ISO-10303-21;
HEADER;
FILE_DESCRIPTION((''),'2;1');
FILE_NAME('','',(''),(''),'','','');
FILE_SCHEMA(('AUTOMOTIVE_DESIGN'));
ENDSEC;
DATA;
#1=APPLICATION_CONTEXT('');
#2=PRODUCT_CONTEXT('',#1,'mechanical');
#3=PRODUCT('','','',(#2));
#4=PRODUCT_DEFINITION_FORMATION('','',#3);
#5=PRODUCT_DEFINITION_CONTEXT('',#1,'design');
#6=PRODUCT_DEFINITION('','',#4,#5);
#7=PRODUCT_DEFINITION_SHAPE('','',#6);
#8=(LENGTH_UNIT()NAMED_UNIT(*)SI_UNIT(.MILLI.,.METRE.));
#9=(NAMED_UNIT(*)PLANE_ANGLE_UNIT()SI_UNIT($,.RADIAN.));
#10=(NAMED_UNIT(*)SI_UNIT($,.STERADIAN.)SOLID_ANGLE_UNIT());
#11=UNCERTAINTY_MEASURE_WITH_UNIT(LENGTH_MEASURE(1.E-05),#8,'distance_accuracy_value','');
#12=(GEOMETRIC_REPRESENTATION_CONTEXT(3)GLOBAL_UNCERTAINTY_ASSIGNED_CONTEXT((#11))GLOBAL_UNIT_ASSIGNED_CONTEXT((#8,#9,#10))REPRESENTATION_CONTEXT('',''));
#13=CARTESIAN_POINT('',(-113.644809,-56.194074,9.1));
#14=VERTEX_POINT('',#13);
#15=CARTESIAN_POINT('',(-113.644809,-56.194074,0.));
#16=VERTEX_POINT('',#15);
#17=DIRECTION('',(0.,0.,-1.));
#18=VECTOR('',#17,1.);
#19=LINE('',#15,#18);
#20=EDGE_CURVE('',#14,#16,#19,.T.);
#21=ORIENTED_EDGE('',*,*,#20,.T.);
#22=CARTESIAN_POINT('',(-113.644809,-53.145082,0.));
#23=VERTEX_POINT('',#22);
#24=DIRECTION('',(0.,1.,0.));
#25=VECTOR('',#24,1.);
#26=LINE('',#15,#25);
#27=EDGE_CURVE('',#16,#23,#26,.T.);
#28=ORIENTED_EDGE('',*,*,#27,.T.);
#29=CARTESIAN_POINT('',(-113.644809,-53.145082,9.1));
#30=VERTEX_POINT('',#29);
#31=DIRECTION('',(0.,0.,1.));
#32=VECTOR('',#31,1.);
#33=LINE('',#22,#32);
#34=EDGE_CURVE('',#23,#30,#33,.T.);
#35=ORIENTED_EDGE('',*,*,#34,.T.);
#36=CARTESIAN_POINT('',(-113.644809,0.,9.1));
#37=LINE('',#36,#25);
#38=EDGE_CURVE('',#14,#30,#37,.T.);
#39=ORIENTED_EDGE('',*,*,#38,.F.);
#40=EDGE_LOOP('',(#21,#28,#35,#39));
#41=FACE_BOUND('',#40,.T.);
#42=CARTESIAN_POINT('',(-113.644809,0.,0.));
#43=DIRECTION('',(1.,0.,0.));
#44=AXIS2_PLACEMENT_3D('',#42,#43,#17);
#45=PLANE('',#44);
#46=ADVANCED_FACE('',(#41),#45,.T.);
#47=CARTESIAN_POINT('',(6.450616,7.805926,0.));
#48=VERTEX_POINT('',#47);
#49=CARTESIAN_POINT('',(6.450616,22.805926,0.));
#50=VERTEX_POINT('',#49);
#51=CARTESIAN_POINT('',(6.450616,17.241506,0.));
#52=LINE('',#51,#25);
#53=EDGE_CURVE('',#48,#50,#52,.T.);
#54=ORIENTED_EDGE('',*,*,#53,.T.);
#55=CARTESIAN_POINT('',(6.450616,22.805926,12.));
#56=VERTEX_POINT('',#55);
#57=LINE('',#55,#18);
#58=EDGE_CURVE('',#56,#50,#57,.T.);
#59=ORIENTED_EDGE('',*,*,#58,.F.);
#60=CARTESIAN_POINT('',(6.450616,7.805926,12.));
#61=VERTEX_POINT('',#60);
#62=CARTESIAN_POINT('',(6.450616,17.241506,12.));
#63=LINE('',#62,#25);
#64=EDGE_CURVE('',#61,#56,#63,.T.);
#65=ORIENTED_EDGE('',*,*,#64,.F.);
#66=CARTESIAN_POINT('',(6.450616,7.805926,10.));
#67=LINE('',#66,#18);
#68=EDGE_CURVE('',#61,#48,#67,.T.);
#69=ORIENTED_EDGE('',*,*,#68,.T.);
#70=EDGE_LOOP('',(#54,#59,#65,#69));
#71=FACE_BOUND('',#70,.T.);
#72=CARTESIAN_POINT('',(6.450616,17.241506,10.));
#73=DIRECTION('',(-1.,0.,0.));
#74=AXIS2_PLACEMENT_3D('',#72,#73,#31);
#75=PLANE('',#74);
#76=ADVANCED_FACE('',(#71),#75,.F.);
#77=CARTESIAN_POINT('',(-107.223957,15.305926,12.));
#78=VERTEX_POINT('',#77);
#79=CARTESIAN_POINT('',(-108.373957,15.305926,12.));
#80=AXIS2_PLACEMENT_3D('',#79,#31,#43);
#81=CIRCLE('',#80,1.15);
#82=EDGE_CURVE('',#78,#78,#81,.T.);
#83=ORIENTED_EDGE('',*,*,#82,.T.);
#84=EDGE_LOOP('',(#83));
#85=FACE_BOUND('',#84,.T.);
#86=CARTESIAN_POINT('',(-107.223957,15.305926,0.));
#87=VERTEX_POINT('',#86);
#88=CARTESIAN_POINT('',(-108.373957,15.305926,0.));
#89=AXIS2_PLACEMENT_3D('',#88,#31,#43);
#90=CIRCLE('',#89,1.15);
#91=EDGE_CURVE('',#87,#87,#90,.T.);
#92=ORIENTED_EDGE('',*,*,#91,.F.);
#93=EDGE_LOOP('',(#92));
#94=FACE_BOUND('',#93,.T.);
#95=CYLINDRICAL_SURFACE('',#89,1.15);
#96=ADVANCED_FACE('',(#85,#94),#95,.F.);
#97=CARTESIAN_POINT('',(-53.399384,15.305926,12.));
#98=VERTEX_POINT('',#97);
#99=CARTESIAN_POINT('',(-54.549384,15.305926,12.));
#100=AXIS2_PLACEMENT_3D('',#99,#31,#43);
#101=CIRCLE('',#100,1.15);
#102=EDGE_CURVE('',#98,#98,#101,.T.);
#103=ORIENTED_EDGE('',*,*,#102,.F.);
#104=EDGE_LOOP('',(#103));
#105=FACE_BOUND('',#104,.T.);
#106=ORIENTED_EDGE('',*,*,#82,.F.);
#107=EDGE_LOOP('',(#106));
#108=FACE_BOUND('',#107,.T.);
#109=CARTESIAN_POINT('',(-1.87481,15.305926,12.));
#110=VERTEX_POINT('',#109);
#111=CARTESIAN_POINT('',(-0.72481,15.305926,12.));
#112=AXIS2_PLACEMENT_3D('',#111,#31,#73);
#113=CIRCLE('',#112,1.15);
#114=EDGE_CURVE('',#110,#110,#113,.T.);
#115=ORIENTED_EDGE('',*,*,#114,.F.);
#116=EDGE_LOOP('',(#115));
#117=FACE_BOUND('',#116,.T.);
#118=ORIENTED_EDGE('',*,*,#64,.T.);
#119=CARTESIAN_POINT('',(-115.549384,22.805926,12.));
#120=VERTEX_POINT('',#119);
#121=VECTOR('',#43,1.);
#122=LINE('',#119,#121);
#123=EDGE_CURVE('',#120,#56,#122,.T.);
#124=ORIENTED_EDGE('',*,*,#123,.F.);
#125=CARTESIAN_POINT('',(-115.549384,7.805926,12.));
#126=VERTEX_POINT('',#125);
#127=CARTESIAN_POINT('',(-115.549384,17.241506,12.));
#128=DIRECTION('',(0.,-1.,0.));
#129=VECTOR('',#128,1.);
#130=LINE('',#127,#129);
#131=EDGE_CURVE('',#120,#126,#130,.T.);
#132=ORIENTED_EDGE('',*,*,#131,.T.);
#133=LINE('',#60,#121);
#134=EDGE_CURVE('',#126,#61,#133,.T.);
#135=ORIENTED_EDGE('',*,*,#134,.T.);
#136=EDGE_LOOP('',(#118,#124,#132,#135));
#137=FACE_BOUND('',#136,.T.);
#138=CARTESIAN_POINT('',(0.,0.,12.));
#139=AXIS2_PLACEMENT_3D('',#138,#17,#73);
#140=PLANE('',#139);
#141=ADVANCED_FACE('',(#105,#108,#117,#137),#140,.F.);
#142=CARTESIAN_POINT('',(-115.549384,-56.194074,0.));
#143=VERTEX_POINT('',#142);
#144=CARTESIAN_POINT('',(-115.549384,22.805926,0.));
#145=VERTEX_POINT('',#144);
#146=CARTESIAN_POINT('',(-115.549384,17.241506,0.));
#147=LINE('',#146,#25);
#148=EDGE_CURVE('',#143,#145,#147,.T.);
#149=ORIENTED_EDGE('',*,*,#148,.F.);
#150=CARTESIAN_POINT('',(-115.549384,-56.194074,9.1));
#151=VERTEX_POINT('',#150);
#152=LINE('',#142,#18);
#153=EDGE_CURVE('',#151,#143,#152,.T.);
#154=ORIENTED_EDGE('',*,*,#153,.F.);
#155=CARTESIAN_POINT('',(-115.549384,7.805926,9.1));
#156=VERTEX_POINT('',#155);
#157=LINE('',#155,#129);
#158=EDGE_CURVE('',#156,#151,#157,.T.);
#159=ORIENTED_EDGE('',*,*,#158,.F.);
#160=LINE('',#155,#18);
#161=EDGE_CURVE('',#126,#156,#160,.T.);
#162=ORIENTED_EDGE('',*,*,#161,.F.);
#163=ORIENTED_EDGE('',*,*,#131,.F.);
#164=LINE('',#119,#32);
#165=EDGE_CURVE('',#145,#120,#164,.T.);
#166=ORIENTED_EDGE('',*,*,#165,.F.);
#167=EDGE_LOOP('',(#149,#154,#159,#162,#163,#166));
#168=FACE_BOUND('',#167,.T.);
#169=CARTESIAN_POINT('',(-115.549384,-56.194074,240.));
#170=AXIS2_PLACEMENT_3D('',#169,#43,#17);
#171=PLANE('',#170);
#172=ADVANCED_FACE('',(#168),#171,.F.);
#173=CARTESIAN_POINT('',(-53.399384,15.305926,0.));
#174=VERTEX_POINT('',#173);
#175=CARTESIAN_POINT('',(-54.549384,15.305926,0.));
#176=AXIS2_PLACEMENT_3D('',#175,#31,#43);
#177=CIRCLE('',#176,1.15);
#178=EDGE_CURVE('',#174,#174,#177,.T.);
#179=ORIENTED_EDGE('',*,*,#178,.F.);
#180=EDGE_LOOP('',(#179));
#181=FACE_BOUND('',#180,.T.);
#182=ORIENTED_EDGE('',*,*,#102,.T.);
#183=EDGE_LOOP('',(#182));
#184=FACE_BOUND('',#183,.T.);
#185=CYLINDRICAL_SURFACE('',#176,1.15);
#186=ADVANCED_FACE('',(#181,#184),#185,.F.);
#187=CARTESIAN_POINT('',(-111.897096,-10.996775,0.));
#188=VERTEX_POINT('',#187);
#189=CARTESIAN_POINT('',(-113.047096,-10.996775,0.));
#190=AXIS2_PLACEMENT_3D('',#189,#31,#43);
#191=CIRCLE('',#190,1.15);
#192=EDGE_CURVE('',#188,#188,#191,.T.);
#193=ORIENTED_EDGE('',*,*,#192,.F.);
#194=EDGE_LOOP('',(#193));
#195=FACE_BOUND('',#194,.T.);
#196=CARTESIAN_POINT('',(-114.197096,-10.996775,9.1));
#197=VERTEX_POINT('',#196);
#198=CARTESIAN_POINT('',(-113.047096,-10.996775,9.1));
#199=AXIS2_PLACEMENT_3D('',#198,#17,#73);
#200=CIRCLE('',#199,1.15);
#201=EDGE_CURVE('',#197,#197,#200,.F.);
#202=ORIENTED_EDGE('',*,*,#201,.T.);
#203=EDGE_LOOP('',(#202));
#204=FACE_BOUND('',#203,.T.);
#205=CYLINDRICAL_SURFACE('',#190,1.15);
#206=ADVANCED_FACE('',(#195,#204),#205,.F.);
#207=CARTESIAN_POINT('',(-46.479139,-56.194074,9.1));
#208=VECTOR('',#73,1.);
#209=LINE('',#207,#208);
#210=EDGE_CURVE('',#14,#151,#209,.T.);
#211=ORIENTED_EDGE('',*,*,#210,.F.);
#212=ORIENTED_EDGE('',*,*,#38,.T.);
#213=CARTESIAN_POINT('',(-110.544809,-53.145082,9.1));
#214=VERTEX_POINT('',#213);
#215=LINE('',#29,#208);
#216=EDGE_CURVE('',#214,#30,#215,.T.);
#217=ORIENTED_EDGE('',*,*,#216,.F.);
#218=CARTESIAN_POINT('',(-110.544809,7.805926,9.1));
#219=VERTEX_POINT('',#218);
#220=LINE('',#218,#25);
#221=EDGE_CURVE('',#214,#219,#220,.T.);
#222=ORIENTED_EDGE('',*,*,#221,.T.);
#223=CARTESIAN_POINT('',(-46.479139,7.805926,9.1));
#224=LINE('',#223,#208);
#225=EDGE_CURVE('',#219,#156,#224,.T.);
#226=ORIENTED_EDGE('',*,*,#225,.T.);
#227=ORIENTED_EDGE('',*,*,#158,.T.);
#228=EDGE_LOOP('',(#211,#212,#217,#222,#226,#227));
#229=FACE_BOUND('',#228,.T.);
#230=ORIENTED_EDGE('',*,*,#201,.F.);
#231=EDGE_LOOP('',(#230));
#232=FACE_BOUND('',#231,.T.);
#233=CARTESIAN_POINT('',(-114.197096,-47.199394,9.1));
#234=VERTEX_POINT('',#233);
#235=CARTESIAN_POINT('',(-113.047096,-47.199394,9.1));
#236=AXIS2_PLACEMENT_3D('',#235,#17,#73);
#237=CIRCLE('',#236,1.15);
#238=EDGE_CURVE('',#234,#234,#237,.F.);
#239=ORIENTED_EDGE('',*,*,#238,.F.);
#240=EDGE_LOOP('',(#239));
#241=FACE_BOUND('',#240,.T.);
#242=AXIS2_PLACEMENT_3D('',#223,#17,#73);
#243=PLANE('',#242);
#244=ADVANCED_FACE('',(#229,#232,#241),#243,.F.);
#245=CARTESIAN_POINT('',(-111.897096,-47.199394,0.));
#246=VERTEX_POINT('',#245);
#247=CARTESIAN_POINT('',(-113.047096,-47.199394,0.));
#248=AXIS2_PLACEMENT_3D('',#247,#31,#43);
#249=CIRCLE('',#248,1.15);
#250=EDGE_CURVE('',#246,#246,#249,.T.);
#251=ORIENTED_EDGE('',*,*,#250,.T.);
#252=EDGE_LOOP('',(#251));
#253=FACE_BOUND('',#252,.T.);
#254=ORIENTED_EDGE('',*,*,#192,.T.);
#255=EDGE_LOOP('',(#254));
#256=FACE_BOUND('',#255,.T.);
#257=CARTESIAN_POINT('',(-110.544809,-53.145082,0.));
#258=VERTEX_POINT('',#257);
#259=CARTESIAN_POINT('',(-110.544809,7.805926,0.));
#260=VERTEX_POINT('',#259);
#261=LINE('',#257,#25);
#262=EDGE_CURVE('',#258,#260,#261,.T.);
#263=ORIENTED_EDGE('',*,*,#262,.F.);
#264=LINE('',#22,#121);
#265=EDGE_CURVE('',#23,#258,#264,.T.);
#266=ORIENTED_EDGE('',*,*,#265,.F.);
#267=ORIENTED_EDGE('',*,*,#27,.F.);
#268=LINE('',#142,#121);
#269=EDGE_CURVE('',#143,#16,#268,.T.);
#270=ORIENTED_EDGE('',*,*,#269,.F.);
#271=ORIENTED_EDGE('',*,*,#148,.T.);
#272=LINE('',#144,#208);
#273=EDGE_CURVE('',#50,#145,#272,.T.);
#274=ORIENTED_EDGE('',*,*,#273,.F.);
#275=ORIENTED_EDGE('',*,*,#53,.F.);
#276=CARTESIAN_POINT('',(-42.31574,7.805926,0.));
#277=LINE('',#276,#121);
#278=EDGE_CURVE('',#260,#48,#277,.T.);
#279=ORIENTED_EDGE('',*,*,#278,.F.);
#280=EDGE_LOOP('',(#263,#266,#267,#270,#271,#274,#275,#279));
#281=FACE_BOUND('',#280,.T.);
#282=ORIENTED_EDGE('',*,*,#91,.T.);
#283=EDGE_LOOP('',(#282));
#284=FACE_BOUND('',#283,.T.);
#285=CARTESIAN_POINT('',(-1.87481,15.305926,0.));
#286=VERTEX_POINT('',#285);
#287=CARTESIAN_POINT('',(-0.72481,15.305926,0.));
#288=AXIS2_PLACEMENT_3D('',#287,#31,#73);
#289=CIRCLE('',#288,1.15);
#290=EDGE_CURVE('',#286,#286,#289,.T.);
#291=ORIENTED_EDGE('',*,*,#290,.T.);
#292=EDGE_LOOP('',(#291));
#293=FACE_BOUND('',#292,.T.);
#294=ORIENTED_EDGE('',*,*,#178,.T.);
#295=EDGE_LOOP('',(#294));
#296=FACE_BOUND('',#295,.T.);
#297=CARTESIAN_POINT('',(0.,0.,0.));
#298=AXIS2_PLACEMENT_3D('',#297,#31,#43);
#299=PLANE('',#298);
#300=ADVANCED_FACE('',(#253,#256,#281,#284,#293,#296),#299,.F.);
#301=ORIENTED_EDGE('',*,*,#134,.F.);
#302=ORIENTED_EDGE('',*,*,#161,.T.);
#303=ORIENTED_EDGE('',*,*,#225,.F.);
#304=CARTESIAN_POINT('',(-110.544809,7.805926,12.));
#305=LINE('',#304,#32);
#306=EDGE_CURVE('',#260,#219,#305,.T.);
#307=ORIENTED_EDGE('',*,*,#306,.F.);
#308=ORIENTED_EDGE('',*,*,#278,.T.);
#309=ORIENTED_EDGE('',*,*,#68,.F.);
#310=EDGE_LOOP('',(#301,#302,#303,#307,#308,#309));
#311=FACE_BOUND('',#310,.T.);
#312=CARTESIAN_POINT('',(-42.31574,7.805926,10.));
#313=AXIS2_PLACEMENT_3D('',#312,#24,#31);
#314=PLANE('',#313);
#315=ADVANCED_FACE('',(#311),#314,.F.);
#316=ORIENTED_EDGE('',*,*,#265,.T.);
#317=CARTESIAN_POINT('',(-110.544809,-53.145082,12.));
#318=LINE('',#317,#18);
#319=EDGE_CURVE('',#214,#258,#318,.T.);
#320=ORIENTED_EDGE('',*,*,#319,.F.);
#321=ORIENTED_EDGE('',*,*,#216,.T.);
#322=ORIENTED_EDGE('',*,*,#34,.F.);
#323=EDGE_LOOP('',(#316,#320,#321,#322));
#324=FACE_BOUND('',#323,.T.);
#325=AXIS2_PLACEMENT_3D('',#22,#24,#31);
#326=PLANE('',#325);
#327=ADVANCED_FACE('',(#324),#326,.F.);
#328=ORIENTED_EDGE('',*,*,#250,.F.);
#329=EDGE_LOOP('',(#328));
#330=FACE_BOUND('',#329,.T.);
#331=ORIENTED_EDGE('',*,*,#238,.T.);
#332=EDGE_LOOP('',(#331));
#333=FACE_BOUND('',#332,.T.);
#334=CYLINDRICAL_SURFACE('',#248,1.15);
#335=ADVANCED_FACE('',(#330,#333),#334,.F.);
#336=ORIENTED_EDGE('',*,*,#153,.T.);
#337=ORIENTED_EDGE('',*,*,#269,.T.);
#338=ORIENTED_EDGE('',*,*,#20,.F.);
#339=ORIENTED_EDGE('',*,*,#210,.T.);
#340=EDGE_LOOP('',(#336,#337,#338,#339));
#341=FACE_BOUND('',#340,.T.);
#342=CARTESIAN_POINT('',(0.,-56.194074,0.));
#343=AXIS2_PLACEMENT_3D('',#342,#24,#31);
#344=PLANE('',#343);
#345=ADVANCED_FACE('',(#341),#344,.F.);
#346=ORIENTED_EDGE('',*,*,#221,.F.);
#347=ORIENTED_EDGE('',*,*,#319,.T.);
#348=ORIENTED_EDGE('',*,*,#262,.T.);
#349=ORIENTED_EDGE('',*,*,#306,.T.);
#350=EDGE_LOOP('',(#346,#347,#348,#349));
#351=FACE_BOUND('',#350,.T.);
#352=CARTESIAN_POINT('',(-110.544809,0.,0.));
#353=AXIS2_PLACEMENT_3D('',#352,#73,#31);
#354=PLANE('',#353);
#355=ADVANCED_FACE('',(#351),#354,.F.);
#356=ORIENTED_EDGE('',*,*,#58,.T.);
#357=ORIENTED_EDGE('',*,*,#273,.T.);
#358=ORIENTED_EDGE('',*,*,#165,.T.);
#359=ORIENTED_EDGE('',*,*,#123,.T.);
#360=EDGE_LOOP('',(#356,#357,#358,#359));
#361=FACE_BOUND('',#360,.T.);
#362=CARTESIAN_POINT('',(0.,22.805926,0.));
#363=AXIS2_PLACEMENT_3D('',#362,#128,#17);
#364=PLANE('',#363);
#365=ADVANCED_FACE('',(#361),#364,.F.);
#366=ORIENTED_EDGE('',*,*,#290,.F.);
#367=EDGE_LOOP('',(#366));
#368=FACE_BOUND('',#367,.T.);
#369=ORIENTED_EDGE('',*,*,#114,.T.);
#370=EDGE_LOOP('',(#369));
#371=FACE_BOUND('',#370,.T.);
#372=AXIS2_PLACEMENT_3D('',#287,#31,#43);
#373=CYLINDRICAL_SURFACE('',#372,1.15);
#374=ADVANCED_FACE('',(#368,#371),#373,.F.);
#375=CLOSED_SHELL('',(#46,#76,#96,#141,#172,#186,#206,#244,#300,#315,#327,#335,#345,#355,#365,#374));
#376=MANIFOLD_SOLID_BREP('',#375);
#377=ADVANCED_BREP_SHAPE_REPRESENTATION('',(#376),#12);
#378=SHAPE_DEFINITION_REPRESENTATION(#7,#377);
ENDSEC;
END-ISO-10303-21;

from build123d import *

# Parameters (mm, degrees)
SZKIC1_W                    = 48.766356044
SZKIC1_H                    = 9.435580599
DODANIE_WYCI_GNI_CIE1_DEPTH = 10
SZKIC2_W                    = 48.766356044
SZKIC2_H                    = 9.435580599
DODANIE_WYCI_GNI_CIE2_DEPTH = 2
SZKIC5_W                    = 12
SZKIC5_H                    = 9.435580599
DODANIE_WYCI_GNI_CIE3_DEPTH = 73.233643957
SZKIC6_W                    = 122
SZKIC6_H                    = 12
DODANIE_WYCI_GNI_CIE4_DEPTH = 5.564419
SZKIC7_W                    = 3.404574644
SZKIC7_H                    = 12
DODANIE_WYCI_GNI_CIE5_DEPTH = 64
SZKIC8_W                    = 12
SZKIC8_H                    = 3.048992282
WYTNIJ_WYCI_GNI_CIE1_DEPTH  = 1.5
SZKIC9_R                    = 1.15
WYTNIJ_WYCI_GNI_CIE2_DEPTH  = 130.048184814
SZKIC10_W                   = 12
SZKIC10_H                   = 60.951007718
DODANIE_WYCI_GNI_CIE6_DEPTH = 1.6
SZKIC11_R                   = 1.15
WYTNIJ_WYCI_GNI_CIE3_DEPTH  = 130.048184814
WYTNIJ_WYCI_GNI_CIE4_REACH  = 136.855
SZKIC12_W                   = 2.9
SZKIC12_H                   = 64


with BuildPart() as part:
    # Szkic1 → Dodanie-wyciągnięcie1 (new body)
    with BuildSketch(Plane.XY):
        with Locations((-17.932561551, 12.523716149)):
            Rectangle(SZKIC1_W, SZKIC1_H)
    extrude(amount=DODANIE_WYCI_GNI_CIE1_DEPTH)

    # Szkic2 → Dodanie-wyciągnięcie2 (add)
    with BuildSketch(Plane.XY.offset(10)):
        with Locations((-17.932561551, 12.523716149)):
            Rectangle(SZKIC2_W, SZKIC2_H)
    extrude(amount=DODANIE_WYCI_GNI_CIE2_DEPTH)

    # Szkic5 → Dodanie-wyciągnięcie3 (add)
    with BuildSketch(Plane.ZY.offset(42.315739573)):
        with Locations((6, 12.523716149)):
            Rectangle(SZKIC5_W, SZKIC5_H)
    extrude(amount=DODANIE_WYCI_GNI_CIE3_DEPTH)

    # Szkic6 → Dodanie-wyciągnięcie4 (add)
    with BuildSketch(Plane(origin=(0, 17.241506448, 0), x_dir=(1, 0, 0), z_dir=(0, 1, 0))):
        with Locations((-54.549383529, -6)):
            Rectangle(SZKIC6_W, SZKIC6_H)
    extrude(amount=DODANIE_WYCI_GNI_CIE4_DEPTH)

    # Szkic7 → Dodanie-wyciągnięcie5 (add)
    with BuildSketch(Plane.XZ.offset(-7.805925849)):
        with Locations((-113.847096207, 6)):
            Rectangle(SZKIC7_W, SZKIC7_H)
    extrude(amount=DODANIE_WYCI_GNI_CIE5_DEPTH)

    # Szkic8 → Wytnij-wyciągnięcie1 (cut)
    with BuildSketch(Plane(origin=(-112.144808885, 0, 0), x_dir=(0, 0, -1), z_dir=(1, 0, 0))):
        with Locations((-6, -54.66957801)):
            Rectangle(SZKIC8_W, SZKIC8_H)
    extrude(amount=-WYTNIJ_WYCI_GNI_CIE1_DEPTH, mode=Mode.SUBTRACT)

    # Szkic9 → Wytnij-wyciągnięcie2 (cut, through all)
    with BuildSketch(Plane.XY.offset(12)):
        with Locations((-54.549383529, 15.305925849)):
            Circle(SZKIC9_R)
        with Locations((-108.373957188, 15.305925849)):
            Circle(SZKIC9_R)
        with Locations(Location((-0.724809871, 15.305925849, 0), (0, 0, 180))):
            Circle(SZKIC9_R)
    extrude(amount=-WYTNIJ_WYCI_GNI_CIE2_DEPTH, mode=Mode.SUBTRACT)

    # Szkic10 → Dodanie-wyciągnięcie6 (add)
    with BuildSketch(Plane(origin=(-112.144808885, 0, 0), x_dir=(0, 0, -1), z_dir=(1, 0, 0))):
        with Locations((-6, -22.66957801)):
            Rectangle(SZKIC10_W, SZKIC10_H)
    extrude(amount=DODANIE_WYCI_GNI_CIE6_DEPTH)

    # Szkic11 → Wytnij-wyciągnięcie3 (cut, through all)
    with BuildSketch(Plane.XY.offset(12)):
        with Locations((-113.047096207, -47.199394186)):
            Circle(SZKIC11_R)
        with Locations((-113.047096207, -10.996775314)):
            Circle(SZKIC11_R)
    extrude(amount=-WYTNIJ_WYCI_GNI_CIE3_DEPTH, mode=Mode.SUBTRACT)

    # Wytnij-wyciągnięcie4: up to this face of the body (flat: up to its plane)
    wytnij_wyci_gni_cie4_end = Plane(part.part.faces().sort_by_distance((-110.544808885, -22.66957801, 6))[0])
    # Szkic12 → Wytnij-wyciągnięcie4 (cut, up to the picked face)
    with BuildSketch(Plane.ZY.offset(115.549383529), mode=Mode.PRIVATE) as wytnij_wyci_gni_cie4_sk1:
        with Locations((10.55, -24.194074151)):
            Rectangle(SZKIC12_W, SZKIC12_H)
    wytnij_wyci_gni_cie4_tool1 = split(extrude(wytnij_wyci_gni_cie4_sk1.sketch, amount=-WYTNIJ_WYCI_GNI_CIE4_REACH, mode=Mode.PRIVATE), bisect_by=wytnij_wyci_gni_cie4_end, keep=Keep.BOTH, mode=Mode.PRIVATE)
    add(wytnij_wyci_gni_cie4_tool1.solids().sort_by(Axis((-115.549384, -24.194074, 10.55), (1, 0, 0)))[0], mode=Mode.SUBTRACT)


solid = part.part
